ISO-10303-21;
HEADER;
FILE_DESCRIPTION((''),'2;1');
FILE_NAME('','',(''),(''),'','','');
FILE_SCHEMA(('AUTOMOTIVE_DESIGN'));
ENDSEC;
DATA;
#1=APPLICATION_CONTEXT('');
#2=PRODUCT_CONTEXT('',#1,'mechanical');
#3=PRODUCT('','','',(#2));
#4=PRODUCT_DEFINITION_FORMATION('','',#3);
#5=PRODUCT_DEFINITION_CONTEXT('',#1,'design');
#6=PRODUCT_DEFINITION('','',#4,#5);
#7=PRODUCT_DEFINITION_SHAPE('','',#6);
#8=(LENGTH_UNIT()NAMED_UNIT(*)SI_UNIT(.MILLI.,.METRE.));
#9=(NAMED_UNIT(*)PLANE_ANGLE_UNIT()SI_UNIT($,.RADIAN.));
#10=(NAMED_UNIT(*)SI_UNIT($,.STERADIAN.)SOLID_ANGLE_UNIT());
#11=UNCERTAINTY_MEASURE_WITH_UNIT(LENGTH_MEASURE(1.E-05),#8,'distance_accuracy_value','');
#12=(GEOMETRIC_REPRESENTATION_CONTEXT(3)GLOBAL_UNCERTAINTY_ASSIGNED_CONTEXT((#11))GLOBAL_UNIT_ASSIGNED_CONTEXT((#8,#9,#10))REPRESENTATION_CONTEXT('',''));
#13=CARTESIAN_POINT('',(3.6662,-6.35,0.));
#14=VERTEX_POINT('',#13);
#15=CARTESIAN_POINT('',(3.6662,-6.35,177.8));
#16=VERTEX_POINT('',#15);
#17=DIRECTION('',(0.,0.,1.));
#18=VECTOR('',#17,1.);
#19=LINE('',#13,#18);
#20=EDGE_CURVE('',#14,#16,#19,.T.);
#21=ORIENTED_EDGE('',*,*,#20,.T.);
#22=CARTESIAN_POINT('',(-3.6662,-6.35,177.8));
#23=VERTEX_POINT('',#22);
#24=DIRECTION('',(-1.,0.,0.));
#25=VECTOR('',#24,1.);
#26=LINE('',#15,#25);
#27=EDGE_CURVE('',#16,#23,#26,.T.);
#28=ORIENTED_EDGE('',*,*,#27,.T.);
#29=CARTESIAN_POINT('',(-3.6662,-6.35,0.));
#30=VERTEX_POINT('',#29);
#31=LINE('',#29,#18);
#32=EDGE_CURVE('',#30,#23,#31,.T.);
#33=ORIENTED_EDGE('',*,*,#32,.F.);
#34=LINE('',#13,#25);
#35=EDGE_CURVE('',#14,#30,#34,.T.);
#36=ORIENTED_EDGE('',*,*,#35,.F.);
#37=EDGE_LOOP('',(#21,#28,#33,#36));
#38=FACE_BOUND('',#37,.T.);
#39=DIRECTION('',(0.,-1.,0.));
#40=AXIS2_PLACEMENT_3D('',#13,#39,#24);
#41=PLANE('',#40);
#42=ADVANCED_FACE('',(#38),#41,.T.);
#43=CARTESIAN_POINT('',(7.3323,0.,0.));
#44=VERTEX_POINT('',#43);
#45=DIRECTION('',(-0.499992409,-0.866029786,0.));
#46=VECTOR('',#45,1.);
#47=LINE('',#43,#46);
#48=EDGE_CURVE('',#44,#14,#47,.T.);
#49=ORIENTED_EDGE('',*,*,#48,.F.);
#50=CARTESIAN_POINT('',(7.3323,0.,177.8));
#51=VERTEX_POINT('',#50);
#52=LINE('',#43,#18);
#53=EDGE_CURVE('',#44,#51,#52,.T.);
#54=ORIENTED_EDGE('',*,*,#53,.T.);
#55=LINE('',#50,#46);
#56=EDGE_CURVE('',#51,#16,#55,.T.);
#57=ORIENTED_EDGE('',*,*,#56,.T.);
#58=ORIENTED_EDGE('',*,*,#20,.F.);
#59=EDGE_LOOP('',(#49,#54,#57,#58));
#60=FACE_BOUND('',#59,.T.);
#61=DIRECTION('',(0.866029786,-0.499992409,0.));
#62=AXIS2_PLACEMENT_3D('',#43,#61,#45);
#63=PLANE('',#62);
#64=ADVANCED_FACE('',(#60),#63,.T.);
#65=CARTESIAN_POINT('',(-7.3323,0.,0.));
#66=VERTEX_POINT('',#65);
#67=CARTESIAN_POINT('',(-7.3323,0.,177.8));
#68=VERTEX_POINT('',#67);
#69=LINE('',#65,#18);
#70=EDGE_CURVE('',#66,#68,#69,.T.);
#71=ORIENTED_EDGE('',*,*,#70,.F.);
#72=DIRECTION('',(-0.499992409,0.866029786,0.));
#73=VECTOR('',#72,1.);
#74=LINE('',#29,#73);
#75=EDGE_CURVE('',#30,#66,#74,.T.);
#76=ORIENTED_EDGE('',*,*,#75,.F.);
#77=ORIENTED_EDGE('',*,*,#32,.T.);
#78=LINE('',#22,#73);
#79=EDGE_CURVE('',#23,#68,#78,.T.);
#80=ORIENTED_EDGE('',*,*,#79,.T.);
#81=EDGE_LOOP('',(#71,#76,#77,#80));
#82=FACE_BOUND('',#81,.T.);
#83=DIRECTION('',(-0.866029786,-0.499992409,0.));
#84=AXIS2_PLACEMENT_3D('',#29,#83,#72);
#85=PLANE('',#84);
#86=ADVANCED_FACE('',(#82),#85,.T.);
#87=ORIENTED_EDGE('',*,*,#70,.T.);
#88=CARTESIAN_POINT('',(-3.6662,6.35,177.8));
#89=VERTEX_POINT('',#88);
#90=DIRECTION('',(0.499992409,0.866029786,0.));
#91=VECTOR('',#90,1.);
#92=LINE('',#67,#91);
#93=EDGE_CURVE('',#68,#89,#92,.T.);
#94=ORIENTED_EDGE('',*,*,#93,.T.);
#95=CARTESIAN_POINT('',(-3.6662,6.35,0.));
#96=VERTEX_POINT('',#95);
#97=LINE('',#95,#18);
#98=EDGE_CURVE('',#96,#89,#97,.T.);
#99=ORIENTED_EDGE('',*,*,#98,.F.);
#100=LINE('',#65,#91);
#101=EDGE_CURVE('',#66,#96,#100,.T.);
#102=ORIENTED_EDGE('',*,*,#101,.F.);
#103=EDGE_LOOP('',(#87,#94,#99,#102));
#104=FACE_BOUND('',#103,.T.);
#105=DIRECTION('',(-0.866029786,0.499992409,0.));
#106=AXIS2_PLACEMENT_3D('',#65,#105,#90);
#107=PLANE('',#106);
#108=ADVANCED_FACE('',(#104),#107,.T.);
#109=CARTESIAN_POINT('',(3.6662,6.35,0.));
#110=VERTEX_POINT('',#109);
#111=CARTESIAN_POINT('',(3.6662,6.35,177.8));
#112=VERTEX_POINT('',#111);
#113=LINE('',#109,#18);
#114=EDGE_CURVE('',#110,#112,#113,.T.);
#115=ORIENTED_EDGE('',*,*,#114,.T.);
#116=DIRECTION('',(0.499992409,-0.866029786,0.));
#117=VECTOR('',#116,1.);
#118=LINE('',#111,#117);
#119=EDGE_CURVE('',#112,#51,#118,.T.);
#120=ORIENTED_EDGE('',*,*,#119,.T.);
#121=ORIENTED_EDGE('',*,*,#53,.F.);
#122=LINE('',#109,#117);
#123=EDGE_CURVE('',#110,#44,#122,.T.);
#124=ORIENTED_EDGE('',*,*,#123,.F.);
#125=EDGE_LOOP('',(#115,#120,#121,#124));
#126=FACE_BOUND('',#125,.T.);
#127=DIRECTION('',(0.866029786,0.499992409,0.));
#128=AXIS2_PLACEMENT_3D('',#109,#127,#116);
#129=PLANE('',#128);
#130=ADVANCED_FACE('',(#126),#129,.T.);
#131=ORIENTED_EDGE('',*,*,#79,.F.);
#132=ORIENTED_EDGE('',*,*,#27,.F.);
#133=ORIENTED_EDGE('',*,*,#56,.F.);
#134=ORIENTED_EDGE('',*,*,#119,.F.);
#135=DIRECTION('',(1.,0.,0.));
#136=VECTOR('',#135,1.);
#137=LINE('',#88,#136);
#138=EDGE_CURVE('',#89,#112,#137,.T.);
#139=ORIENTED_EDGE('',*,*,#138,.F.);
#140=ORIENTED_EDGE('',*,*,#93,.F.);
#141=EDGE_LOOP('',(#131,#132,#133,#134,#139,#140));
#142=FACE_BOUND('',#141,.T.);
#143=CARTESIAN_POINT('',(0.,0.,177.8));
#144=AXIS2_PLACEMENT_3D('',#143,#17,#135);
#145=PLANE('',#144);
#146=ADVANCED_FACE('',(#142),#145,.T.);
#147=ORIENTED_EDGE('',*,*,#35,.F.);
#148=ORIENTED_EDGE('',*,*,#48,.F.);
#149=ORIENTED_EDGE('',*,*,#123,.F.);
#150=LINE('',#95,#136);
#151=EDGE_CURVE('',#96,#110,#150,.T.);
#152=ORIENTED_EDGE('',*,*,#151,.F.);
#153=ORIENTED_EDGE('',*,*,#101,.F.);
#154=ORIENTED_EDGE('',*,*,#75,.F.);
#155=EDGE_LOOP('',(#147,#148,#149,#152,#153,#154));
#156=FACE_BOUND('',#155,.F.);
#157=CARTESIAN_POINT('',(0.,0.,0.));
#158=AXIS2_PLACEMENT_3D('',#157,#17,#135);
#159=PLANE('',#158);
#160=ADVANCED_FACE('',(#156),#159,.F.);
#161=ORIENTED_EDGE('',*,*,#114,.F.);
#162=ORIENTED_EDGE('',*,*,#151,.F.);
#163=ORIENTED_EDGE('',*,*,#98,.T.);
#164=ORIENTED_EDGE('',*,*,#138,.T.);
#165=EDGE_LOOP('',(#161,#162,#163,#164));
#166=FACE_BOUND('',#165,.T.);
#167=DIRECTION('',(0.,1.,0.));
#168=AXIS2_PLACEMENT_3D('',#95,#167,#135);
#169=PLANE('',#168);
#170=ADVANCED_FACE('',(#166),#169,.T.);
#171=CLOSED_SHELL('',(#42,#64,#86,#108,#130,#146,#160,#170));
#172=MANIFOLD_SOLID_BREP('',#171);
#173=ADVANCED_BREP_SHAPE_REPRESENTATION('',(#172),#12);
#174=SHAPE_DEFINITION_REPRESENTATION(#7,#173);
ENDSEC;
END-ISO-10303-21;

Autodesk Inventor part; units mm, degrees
ref_plane "YZ Plane" through (0, 0, 0) normal (1, 0, 0) x (0, 1, 0)
ref_plane "XZ Plane" through (0, 0, 0) normal (0, 1, 0) x (-1, 0, 0)
ref_plane "XY Plane" through (0, 0, 0) normal (0, 0, 1) x (1, 0, 0)
sketch "Sketch1" plane through (0, 0, 0) normal (0, 0, 1) x (1, 0, 0)
  line L0 (3.6662, 6.35) -> (7.3323, 0)
  line L1 (7.3323, 0) -> (3.6662, -6.35)
  line L2 (3.6662, -6.35) -> (-3.6662, -6.35)
  line L3 (-3.6662, -6.35) -> (-7.3323, 0)
  line L4 (-7.3323, 0) -> (-3.6662, 6.35)
  line L5 (-3.6662, 6.35) -> (3.6662, 6.35)
  point P0 (0, 0)
  point P1 (0, 0)
  dimension "d0" = 12.7
extrude "Extrusion1" add sketch "Sketch1" along normal blind 177.8
properties part number "hex rod 7 inch" material "Steel, Alloy"
